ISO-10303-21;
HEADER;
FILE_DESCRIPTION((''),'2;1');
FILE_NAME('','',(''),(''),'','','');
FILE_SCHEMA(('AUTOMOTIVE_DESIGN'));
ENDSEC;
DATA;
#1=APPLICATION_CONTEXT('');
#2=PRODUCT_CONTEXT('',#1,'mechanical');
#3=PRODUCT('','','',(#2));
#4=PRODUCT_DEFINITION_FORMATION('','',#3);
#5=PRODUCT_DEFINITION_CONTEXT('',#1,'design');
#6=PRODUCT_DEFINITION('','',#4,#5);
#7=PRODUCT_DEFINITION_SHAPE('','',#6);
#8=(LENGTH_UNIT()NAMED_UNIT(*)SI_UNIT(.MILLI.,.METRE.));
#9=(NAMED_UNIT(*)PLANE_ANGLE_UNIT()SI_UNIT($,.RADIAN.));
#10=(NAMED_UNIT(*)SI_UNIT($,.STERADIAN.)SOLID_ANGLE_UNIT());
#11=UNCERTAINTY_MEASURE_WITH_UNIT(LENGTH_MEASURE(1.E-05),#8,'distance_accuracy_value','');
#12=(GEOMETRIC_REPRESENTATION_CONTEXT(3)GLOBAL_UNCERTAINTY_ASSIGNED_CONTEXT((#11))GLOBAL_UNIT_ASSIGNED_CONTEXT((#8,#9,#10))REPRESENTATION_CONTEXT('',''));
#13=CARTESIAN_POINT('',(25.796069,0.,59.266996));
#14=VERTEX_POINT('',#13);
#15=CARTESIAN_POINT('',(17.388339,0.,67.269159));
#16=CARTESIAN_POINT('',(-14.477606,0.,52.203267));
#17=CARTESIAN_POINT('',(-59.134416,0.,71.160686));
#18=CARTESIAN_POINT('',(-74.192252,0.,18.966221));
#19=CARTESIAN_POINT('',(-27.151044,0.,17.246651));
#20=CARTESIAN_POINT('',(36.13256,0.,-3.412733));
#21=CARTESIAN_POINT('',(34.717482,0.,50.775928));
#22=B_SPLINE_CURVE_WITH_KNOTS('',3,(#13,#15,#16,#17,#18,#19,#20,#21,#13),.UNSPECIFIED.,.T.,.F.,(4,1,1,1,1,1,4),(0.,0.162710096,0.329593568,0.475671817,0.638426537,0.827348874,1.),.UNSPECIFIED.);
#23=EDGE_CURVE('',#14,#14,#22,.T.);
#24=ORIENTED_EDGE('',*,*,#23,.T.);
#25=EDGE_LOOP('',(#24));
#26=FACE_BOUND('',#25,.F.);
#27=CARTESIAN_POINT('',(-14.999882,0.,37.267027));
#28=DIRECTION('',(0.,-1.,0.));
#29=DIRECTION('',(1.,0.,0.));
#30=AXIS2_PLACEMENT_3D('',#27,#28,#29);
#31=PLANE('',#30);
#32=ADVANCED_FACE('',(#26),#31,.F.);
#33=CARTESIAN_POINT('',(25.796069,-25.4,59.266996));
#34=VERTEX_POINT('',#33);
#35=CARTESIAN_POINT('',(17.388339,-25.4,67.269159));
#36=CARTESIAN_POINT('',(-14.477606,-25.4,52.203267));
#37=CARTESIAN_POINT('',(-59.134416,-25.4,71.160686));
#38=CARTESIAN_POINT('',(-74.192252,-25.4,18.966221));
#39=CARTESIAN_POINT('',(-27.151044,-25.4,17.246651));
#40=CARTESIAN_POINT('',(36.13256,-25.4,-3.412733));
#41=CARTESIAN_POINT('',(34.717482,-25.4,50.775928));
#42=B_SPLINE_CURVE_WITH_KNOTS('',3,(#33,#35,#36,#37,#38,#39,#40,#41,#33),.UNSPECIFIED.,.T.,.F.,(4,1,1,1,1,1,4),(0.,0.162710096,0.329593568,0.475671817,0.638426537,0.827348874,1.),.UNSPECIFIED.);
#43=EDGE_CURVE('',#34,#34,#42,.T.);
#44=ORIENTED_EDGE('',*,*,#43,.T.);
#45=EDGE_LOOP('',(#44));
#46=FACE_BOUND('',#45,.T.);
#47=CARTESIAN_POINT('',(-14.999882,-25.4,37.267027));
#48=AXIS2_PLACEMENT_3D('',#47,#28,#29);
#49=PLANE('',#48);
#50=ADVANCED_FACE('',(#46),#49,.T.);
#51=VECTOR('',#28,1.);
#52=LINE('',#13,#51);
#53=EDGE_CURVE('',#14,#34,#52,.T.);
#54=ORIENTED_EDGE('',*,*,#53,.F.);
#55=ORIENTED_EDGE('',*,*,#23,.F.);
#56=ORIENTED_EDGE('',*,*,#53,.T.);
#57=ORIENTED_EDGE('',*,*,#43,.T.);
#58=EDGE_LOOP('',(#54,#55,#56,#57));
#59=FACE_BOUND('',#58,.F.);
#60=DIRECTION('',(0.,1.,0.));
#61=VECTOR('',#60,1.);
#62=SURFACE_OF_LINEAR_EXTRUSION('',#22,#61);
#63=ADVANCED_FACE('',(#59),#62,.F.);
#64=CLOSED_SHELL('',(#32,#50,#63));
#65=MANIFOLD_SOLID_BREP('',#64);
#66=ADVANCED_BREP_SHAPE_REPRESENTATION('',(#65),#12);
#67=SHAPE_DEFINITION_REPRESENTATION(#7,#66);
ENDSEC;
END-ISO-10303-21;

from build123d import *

# Parameters (mm, degrees)
F1_DEPTH = 25.4


with BuildPart() as f1:
    # F0 (on Front) → F1 (new body)
    with BuildSketch(Plane.XZ):
        with BuildLine():
            add(Edge.make_bspline(
                [(25.7960688323, 59.2669956386), (17.388338978, 67.2691586887), (-14.4776062694, 52.2032669189), (-59.1344158129, 71.1606864623), (-74.1922523777, 18.9662206919), (-27.1510438296, 17.246650515), (36.1325595886, -3.4127329531), (34.7174821956, 50.7759278226), (25.7960688323, 59.2669956386)],
                knots=[0, 0, 0, 0, 0.1627100964, 0.3295935683, 0.4756718169, 0.6384265367, 0.8273488737, 1, 1, 1, 1], degree=3))
        make_face()
    extrude(amount=F1_DEPTH)


solid = f1.part
